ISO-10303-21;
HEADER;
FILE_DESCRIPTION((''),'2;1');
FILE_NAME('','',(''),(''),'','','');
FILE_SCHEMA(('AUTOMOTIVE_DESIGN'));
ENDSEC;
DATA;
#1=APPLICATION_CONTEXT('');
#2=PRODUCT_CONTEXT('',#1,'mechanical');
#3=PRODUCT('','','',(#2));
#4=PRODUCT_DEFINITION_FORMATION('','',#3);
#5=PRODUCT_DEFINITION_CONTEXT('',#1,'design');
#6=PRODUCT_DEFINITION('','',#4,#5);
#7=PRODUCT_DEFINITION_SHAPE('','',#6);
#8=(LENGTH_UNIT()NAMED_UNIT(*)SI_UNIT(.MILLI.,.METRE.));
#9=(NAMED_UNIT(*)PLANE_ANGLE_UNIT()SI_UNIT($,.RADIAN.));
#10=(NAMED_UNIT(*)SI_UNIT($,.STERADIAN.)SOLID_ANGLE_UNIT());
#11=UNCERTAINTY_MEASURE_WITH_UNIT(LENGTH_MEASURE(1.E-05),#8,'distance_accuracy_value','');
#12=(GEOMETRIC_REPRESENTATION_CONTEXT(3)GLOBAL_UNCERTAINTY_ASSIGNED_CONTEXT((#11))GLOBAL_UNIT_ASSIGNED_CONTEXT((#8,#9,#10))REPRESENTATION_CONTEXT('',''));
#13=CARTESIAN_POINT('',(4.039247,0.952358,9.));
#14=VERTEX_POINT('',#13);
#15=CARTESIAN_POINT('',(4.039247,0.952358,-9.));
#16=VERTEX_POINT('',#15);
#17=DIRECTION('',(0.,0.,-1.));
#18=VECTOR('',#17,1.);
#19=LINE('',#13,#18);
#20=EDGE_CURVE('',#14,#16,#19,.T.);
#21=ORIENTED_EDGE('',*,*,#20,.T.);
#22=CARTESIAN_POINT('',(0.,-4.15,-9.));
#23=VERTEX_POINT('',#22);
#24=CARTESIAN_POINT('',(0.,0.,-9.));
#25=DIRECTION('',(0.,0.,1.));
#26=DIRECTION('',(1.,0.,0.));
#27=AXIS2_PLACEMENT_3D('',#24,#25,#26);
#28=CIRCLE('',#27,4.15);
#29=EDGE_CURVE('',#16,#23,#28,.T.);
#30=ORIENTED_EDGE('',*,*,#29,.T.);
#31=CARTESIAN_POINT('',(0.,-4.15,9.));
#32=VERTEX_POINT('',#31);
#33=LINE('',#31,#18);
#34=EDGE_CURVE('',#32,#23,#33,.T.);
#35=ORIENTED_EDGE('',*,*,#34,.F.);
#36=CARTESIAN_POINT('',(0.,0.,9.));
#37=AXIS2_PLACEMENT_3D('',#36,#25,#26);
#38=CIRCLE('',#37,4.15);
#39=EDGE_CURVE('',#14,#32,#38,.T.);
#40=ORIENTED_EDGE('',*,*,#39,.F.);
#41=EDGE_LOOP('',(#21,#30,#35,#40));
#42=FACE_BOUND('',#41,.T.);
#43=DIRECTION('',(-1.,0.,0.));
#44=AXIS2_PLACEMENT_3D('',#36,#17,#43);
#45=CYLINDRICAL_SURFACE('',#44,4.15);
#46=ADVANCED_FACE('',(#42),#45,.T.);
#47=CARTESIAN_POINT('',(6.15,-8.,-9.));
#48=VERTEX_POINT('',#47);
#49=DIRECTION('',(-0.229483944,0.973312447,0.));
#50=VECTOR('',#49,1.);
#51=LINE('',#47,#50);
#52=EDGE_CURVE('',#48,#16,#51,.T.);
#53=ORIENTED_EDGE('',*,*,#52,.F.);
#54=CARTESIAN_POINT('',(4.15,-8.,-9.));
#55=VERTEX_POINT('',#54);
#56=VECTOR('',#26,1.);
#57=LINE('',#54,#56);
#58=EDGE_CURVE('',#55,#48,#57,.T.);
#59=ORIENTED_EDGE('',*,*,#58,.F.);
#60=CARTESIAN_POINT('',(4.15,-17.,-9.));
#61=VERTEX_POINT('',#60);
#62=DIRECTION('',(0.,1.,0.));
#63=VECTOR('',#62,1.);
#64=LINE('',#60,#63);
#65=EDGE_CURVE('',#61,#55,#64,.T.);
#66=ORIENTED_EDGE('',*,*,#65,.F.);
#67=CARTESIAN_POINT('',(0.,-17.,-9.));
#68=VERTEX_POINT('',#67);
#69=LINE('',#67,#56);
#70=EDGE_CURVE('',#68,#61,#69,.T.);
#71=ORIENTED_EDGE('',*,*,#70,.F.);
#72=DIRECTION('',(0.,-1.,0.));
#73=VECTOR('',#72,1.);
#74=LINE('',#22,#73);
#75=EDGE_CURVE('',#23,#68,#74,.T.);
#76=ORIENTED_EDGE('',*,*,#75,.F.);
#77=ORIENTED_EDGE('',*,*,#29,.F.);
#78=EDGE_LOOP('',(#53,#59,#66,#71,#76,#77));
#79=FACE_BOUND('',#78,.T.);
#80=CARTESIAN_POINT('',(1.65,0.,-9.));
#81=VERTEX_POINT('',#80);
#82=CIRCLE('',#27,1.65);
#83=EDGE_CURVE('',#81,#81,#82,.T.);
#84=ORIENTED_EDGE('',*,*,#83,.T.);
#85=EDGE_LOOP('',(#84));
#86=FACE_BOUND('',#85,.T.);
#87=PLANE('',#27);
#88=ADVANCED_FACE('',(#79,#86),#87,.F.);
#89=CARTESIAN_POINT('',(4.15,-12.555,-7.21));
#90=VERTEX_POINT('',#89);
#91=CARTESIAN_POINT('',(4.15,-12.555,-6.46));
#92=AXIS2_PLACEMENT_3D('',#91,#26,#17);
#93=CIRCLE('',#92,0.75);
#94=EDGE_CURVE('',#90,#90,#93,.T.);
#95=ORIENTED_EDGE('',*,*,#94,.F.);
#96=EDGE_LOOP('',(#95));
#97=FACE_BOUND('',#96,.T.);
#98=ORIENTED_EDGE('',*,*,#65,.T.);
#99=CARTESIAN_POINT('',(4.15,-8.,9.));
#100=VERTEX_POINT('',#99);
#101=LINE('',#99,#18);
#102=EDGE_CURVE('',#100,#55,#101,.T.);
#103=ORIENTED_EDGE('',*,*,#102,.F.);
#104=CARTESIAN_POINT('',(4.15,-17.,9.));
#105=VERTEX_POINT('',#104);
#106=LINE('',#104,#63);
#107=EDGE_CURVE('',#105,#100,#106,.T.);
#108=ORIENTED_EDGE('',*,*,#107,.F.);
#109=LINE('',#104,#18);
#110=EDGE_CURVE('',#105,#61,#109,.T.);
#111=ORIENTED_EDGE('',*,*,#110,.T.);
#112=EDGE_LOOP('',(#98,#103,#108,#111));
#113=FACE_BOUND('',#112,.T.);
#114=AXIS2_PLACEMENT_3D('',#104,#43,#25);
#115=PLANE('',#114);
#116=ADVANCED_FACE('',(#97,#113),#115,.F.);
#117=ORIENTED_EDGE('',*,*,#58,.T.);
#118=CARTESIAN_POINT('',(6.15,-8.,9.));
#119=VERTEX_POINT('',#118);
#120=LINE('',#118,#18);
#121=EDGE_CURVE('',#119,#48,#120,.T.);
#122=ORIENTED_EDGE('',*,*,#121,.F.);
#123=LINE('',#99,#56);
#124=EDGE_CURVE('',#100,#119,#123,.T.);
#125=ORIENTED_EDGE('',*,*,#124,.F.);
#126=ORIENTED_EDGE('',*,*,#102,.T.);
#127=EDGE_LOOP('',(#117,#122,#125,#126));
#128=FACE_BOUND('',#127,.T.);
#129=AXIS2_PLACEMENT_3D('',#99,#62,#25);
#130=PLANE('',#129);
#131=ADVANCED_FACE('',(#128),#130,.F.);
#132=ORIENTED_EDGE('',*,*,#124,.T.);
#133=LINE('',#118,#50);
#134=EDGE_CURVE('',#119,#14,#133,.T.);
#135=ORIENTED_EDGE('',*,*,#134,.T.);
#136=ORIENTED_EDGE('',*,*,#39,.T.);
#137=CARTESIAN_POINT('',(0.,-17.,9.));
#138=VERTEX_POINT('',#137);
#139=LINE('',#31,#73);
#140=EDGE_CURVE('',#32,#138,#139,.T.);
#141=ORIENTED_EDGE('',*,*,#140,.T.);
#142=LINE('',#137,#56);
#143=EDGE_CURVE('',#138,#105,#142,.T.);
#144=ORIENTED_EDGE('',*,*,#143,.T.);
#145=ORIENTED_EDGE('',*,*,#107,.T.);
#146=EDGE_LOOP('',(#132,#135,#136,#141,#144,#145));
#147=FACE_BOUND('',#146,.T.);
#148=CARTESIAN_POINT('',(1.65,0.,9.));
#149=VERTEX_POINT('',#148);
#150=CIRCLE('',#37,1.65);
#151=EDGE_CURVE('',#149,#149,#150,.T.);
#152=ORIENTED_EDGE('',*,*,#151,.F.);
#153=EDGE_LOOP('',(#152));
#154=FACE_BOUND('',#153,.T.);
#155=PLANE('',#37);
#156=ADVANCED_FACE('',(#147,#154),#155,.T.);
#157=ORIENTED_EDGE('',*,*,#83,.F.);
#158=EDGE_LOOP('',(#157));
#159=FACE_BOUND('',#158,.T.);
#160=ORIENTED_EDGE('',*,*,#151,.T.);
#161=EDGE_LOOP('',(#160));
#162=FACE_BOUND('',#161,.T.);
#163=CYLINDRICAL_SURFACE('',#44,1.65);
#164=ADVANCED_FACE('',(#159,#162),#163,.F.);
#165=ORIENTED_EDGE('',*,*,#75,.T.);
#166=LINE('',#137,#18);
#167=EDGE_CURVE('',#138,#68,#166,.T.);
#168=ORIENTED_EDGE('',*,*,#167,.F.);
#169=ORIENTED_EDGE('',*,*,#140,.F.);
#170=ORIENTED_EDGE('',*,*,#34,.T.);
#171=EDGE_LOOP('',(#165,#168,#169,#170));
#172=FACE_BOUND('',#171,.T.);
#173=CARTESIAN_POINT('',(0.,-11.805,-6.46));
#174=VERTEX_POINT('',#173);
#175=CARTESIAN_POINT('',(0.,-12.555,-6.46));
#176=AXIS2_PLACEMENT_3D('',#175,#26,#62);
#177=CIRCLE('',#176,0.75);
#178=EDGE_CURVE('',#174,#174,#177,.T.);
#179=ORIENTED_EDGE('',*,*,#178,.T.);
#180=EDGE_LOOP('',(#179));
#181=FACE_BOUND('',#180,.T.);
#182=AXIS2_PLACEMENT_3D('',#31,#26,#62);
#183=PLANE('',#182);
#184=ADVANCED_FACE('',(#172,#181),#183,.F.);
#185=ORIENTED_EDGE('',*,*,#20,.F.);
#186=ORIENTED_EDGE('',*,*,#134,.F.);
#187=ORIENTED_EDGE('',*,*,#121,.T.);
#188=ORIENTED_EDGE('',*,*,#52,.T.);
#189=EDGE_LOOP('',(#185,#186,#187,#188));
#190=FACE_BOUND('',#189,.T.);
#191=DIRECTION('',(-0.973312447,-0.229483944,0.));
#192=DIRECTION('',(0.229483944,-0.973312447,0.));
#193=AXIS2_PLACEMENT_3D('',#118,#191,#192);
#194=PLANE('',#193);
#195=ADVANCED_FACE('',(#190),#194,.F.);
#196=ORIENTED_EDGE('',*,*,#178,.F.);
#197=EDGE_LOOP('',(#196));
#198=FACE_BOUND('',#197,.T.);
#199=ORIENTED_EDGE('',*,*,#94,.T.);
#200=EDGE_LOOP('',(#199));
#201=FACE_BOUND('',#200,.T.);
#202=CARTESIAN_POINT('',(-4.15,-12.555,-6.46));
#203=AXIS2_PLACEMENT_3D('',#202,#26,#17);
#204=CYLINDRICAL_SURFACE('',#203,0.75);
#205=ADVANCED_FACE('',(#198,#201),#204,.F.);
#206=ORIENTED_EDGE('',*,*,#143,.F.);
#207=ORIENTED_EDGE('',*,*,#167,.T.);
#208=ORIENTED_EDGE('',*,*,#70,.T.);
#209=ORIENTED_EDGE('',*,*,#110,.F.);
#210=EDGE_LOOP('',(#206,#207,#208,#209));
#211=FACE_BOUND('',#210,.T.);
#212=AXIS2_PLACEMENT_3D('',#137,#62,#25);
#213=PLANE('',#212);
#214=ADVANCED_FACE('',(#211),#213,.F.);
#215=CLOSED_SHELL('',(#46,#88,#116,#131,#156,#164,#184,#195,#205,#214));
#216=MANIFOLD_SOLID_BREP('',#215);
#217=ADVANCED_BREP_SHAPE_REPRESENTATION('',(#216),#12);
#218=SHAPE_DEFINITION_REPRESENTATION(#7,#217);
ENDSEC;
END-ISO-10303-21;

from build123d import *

# Parameters (mm, degrees)
ESQUISSE1_R             = 1.65
BOSS_EXTRU_1_DEPTH      = 9
ESQUISSE3_R             = 0.75
ENL_V_MAT_EXTRU_2_DEPTH = 21.949701669


with BuildPart() as part:
    # Esquisse1 → Boss.-Extru.1 (new, symmetric)
    with BuildSketch(Plane.XY):
        with BuildLine():
            Line((0, -4.15), (0, -17))
            Line((0, -17), (4.15, -17))
            Line((4.15, -17), (4.15, -8))
            Line((4.15, -8), (6.15, -8))
            Line((6.15, -8), (4.039246655, 0.952358366))
            ThreePointArc((4.039246655, 0.952358366), (-3.253827532, 2.575870026), (0, -4.15))
        make_face()
        Circle(ESQUISSE1_R, mode=Mode.SUBTRACT)
    extrude(amount=BOSS_EXTRU_1_DEPTH, both=True)

    # Esquisse3 → Enlèv. mat.-Extru.2 (cut, through all)
    with BuildSketch(Plane(origin=(4.15, 0, 0), x_dir=(0, 0, -1), z_dir=(1, 0, 0))):
        with Locations((6.46, -12.555)):
            Circle(ESQUISSE3_R)
    extrude(amount=-ENL_V_MAT_EXTRU_2_DEPTH, mode=Mode.SUBTRACT)


solid = part.part
